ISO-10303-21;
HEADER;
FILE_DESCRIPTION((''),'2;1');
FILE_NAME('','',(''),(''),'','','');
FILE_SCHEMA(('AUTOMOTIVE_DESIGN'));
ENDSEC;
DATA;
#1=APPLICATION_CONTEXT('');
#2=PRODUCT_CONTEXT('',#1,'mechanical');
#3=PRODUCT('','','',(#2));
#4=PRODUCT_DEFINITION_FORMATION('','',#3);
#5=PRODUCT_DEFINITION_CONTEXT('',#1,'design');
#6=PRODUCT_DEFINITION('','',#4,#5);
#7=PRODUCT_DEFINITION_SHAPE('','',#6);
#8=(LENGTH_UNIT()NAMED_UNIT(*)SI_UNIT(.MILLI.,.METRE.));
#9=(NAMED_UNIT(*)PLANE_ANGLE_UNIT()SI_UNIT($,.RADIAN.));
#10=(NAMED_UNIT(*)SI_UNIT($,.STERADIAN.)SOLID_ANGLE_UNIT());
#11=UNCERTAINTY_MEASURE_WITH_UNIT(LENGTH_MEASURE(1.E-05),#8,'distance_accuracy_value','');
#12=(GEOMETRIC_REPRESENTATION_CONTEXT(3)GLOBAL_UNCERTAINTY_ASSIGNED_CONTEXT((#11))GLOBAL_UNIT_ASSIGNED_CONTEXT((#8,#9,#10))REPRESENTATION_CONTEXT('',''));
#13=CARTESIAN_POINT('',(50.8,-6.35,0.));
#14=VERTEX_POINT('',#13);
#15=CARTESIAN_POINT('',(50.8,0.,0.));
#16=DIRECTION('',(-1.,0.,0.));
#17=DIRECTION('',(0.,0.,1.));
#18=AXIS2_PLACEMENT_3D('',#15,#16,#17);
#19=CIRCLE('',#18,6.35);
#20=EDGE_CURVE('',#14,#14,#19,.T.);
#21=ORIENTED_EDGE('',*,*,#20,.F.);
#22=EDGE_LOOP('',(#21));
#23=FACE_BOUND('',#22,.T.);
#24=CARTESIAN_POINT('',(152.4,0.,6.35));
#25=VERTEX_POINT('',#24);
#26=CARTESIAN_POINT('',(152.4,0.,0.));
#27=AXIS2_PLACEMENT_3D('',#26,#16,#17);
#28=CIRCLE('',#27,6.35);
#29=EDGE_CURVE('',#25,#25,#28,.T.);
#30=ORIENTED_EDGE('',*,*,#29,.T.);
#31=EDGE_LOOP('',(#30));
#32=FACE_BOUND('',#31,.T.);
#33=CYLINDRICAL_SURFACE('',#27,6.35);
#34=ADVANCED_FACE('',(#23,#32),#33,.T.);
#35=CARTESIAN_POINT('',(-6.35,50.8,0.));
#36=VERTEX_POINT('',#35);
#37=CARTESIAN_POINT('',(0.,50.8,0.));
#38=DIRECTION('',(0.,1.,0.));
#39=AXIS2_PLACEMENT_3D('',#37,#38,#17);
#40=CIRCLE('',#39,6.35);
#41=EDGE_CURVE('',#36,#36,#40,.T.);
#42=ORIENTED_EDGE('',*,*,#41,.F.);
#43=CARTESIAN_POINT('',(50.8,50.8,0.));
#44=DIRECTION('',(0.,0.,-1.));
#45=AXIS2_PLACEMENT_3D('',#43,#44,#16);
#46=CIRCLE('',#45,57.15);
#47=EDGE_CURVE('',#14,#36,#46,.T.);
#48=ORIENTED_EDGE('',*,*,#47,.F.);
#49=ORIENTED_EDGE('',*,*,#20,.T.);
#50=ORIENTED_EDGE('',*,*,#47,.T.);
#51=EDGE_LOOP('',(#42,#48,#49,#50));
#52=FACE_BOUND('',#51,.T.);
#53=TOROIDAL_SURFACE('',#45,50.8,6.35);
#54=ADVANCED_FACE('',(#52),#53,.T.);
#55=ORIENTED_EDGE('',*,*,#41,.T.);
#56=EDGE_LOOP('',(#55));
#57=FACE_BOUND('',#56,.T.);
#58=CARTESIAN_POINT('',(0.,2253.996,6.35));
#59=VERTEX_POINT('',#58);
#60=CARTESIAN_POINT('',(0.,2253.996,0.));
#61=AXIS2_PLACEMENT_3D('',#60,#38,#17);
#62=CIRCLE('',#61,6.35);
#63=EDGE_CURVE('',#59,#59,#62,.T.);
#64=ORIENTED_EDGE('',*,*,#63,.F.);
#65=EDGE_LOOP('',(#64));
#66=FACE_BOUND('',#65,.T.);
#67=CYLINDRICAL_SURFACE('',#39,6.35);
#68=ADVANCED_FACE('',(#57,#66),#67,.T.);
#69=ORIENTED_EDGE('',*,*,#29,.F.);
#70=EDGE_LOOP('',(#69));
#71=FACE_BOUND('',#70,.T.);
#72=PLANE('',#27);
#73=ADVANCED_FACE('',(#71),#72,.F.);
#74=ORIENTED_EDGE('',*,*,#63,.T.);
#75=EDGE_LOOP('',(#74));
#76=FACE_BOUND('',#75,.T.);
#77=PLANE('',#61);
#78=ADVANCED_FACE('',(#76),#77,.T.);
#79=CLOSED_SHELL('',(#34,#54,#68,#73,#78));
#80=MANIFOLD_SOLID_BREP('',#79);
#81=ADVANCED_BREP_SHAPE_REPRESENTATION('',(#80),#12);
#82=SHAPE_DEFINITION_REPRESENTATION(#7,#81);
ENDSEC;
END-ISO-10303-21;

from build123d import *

# Parameters (mm, degrees)
SWEEP1_PROFILE_R = 6.35


with BuildPart() as part:
    # Sweep1: sweep along a path in Sketch1
    with BuildLine(Plane.XY) as sweep1_path:
        Line((0, 2253.996), (0, 50.8))
        ThreePointArc((0, 50.8), (14.878975516, 14.878975516), (50.8, 0))
        Line((50.8, 0), (152.4, 0))
    # Sweep1 profile (on start of the path) → Sweep1 (sweep)
    with BuildSketch(Plane(origin=(0, 2253.996, 0), x_dir=(0, 0, -1), z_dir=(0, -1, 0))):
        Circle(SWEEP1_PROFILE_R)
    sweep(path=sweep1_path.line)


solid = part.part
